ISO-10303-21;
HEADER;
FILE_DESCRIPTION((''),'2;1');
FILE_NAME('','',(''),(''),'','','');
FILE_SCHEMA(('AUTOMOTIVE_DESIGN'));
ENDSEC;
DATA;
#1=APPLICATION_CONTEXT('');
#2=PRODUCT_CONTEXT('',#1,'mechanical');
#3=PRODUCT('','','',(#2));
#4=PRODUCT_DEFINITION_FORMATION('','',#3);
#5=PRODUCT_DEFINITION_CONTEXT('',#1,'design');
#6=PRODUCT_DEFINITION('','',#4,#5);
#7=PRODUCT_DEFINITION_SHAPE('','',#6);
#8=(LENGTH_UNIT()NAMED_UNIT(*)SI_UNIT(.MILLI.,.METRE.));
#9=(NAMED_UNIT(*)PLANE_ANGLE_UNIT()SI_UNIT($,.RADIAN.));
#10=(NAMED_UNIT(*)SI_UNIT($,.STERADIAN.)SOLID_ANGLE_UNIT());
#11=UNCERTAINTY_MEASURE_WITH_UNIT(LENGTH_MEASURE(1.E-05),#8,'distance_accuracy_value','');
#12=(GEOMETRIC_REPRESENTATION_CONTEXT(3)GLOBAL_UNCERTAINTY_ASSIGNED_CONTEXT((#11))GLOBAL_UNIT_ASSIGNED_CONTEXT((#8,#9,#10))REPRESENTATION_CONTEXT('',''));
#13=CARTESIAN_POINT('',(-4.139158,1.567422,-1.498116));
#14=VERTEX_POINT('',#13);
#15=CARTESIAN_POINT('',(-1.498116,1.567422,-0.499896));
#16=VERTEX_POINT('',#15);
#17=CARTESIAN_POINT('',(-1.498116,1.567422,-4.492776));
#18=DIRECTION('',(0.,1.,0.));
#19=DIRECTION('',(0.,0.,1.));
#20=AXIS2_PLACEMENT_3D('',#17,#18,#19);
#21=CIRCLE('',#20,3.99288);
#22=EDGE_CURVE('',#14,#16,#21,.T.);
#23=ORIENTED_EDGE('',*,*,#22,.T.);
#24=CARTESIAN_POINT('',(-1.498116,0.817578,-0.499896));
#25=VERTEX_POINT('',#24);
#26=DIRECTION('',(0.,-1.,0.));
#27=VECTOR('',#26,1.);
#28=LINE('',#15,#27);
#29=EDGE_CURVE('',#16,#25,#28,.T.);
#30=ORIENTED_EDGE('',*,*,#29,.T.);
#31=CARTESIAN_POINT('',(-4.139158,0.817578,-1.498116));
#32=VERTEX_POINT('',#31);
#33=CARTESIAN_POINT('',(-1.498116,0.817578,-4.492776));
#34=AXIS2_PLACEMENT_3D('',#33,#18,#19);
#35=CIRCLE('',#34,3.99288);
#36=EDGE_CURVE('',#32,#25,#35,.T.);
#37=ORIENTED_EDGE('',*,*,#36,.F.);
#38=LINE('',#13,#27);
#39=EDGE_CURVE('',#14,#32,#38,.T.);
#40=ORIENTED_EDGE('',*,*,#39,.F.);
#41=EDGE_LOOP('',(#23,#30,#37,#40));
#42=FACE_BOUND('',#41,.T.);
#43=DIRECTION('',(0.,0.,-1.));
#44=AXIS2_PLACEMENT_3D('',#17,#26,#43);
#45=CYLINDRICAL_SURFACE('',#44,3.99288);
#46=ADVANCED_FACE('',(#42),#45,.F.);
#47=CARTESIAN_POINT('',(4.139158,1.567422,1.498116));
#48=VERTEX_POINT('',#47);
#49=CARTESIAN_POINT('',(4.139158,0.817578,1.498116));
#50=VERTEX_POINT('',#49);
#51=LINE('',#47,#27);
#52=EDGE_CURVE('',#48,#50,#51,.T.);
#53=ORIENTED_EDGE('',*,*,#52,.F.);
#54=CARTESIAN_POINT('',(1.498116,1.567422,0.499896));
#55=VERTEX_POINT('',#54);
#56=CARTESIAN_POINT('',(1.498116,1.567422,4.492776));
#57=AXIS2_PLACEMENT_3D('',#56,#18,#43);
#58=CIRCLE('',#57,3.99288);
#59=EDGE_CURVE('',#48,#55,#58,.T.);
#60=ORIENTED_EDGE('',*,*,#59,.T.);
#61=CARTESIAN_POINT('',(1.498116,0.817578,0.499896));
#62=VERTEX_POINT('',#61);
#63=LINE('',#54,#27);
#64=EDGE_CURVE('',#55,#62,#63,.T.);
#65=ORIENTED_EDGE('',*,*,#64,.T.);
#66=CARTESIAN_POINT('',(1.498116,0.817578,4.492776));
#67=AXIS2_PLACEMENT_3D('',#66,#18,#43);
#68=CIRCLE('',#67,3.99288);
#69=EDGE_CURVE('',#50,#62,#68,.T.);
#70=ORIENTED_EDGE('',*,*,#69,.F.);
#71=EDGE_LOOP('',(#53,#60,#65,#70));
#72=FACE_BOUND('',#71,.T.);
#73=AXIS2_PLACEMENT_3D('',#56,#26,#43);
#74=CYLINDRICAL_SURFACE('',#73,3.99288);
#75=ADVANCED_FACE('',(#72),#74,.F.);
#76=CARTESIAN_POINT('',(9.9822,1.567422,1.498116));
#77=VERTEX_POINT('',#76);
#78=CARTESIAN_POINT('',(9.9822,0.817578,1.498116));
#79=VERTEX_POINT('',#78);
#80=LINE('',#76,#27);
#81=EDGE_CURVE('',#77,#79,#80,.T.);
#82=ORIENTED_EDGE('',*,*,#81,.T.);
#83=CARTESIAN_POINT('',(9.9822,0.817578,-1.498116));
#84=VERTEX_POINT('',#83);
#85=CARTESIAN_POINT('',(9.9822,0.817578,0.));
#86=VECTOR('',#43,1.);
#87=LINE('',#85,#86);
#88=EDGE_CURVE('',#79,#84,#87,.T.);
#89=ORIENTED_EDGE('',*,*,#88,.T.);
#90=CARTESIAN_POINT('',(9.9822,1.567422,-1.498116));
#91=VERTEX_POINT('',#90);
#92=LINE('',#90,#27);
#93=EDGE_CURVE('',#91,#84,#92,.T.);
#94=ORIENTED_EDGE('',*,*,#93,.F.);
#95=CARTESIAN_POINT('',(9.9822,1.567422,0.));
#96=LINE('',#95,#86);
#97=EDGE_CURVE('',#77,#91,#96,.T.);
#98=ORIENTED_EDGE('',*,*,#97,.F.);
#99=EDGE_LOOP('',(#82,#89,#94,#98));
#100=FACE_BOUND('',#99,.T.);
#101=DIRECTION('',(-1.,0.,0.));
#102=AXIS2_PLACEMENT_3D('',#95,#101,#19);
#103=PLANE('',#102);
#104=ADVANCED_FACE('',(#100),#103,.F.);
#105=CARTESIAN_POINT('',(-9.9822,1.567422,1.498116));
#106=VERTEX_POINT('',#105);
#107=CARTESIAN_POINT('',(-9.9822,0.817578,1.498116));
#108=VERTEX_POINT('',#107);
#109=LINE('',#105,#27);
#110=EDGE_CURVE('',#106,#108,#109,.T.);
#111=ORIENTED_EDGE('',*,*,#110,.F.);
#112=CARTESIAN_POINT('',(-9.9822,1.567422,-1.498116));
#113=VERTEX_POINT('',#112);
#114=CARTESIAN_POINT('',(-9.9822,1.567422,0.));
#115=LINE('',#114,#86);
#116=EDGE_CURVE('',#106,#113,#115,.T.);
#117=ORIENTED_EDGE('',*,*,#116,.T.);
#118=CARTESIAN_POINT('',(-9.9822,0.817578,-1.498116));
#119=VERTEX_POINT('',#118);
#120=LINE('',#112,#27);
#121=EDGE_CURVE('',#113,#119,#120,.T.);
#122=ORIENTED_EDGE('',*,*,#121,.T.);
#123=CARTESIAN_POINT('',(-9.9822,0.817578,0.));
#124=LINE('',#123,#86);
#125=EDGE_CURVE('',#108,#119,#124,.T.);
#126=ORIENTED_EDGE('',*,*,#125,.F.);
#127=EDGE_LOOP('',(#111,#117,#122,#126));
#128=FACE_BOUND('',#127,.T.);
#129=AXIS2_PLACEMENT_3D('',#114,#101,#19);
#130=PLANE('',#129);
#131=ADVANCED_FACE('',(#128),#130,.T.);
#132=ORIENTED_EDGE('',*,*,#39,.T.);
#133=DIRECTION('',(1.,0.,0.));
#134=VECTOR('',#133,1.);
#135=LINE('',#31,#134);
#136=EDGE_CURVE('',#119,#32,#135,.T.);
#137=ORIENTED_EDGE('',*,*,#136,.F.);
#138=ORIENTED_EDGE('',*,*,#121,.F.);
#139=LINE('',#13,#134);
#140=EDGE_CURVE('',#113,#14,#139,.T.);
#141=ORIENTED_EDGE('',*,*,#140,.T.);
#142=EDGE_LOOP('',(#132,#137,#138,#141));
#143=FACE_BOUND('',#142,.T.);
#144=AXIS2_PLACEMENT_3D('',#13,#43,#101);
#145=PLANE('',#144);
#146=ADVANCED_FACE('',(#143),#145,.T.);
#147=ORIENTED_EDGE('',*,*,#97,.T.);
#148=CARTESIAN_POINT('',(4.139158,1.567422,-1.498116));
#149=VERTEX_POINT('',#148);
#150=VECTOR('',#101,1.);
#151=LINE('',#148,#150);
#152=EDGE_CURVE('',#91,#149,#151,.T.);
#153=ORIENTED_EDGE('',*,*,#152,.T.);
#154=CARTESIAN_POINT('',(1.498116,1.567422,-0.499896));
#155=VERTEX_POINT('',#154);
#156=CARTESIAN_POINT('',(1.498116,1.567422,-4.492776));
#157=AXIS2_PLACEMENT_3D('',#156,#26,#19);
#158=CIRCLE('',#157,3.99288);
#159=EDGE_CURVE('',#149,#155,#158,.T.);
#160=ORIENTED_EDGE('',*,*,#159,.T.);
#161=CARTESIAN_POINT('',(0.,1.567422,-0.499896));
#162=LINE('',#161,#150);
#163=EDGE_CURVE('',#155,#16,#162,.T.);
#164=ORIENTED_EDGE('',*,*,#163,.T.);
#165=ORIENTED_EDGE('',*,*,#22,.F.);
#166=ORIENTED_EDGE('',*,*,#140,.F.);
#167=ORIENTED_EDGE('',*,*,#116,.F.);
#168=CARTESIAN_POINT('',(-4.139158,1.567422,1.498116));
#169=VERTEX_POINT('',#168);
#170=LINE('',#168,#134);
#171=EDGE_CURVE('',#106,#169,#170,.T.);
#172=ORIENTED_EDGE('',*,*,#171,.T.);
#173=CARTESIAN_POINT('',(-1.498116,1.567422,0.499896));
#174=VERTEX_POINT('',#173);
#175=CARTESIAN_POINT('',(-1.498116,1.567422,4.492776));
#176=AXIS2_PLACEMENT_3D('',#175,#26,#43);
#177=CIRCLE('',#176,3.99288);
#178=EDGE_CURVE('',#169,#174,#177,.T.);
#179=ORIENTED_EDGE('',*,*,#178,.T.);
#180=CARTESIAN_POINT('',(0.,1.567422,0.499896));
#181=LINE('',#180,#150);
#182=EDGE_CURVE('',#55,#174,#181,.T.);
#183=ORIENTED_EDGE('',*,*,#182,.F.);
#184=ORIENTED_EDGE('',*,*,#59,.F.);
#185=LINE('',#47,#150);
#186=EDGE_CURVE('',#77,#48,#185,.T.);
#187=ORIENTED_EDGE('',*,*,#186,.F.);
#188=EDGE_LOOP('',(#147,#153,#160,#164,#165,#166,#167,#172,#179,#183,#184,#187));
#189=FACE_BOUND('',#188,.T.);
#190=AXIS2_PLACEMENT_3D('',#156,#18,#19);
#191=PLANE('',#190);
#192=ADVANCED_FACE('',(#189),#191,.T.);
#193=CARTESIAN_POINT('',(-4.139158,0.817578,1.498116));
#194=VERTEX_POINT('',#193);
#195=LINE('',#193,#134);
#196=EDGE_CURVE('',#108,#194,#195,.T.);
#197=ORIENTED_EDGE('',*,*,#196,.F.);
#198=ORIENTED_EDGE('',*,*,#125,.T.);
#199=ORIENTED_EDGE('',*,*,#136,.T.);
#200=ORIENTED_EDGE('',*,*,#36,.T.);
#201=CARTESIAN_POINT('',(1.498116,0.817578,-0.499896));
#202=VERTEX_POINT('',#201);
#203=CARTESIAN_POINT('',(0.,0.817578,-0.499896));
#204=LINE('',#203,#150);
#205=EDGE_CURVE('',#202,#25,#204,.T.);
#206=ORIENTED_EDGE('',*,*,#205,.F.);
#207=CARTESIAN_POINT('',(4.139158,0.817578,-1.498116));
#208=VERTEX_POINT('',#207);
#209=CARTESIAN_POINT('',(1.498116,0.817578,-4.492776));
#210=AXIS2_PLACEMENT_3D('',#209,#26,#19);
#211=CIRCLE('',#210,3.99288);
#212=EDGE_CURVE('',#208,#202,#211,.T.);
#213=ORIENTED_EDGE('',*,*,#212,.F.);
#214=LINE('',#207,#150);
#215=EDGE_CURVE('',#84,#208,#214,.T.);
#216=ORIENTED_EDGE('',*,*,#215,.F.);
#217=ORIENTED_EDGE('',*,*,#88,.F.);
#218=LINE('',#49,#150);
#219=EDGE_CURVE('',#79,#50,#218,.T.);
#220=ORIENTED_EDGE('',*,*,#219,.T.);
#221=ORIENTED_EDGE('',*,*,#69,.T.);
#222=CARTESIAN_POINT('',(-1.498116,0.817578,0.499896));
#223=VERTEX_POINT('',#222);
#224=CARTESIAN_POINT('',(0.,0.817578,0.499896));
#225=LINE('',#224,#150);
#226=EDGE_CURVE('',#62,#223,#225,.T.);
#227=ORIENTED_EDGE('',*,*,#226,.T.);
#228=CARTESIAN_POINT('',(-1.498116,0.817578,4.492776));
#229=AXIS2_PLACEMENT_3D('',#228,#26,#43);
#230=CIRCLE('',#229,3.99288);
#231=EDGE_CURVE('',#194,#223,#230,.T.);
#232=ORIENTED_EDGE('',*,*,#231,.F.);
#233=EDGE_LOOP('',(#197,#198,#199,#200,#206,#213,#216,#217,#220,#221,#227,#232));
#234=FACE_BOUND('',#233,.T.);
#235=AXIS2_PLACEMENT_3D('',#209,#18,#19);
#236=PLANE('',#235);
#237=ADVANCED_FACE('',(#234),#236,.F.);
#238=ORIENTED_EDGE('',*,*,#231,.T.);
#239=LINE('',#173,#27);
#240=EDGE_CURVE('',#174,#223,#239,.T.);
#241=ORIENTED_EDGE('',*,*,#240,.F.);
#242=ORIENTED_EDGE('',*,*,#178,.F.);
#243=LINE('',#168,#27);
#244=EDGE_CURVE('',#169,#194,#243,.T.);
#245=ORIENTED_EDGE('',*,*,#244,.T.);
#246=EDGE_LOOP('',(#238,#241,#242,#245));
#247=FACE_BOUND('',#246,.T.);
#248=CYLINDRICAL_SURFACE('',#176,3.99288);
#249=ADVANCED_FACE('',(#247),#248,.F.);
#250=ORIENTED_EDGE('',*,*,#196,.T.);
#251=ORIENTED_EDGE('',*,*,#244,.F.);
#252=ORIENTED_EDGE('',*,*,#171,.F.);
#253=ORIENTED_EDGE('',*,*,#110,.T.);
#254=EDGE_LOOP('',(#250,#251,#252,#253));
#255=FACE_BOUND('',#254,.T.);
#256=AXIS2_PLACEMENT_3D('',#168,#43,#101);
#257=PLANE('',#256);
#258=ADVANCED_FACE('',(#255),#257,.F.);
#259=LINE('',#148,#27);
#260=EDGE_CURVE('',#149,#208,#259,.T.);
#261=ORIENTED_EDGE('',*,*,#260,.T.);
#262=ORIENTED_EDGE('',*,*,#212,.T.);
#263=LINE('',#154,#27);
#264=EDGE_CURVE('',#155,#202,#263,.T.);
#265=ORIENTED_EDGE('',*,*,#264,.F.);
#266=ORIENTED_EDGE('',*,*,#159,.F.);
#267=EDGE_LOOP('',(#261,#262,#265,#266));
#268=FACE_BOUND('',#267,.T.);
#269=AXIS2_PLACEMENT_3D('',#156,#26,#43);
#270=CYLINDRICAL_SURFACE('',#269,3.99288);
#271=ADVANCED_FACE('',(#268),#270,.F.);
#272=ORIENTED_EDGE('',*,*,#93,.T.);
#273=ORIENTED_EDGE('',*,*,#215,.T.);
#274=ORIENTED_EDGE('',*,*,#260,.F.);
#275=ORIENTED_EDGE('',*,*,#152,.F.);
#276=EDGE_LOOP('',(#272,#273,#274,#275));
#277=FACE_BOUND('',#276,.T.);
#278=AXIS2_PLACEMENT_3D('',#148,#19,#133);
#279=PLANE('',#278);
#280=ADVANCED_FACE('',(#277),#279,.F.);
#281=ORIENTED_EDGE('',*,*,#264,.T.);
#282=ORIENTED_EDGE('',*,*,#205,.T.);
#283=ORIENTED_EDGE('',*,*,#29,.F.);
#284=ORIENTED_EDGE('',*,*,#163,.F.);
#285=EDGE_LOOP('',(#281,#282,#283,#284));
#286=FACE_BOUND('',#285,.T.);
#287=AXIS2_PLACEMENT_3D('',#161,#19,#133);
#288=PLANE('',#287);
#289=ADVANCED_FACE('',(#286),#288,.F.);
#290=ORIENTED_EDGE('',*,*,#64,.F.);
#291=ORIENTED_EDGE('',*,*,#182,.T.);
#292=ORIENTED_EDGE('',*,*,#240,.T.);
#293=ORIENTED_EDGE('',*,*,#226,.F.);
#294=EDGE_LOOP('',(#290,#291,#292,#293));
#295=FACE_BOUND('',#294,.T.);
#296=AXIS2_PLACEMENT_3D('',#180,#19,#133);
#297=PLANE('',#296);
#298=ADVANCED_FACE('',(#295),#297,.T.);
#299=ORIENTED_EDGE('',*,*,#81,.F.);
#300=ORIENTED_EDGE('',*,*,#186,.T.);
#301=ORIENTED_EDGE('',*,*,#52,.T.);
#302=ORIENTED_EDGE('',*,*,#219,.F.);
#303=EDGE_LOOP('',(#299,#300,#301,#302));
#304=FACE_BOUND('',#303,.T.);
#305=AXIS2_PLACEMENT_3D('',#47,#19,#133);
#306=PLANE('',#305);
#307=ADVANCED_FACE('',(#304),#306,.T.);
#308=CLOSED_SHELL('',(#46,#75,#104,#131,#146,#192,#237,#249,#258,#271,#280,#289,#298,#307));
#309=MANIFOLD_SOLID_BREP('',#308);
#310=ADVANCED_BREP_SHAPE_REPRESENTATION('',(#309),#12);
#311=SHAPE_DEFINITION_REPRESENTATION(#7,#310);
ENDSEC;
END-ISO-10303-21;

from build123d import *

# Parameters (mm, degrees)
BOSS_EXTRUDE1_DEPTH                      = 2.385
MIRROR1_AT_THE_SECOND_PLANE_COPY_1_DEPTH = 2.385
SCALE1_SCALE                             = 0.3144


with BuildPart() as part:
    # Sketch1 → Boss-Extrude1 (new body)
    with BuildSketch(Plane(origin=(0, 0, 0), x_dir=(1, 0, 0), z_dir=(0, 1, 0))):
        with BuildLine():
            Line((0, 1.59), (4.765, 1.59))
            ThreePointArc((4.765, 1.59), (9.255128061, 2.410237797), (13.165260413, 4.765))
            Line((13.165260413, 4.765), (31.75, 4.765))
            Line((31.75, 4.765), (31.75, 0))
            Line((31.75, 0), (0, 0))
            Line((0, 0), (0, 1.59))
        make_face()
    boss_extrude1 = extrude(amount=BOSS_EXTRUDE1_DEPTH)



with BuildPart() as mirror1_1:
    # Mirror1: Boss-Extrude1 across plane
    add(boss_extrude1.mirror(Plane(origin=(0, 0, 0), x_dir=(0, 0, 1), z_dir=(1, 0, 0))))


with BuildPart() as part_1:
    add(part.part)

    add(mirror1_1.part)  # Mirror1 at the second plane merges Mirror1_1
    # Mirror1 at the second plane: Boss-Extrude1 across plane
    add(boss_extrude1.mirror(Plane.XY))

    # Mirror1 at the second plane copy 1 sketc → Mirror1 at the second plane copy 1 (add)
    with BuildSketch(Plane(origin=(0, 0, 0), x_dir=(-1, 0, 0), z_dir=(0, 1, 0))):
        with BuildLine():
            Line((0, 1.59), (4.765, 1.59))
            ThreePointArc((4.765, 1.59), (9.255128061, 2.410237797), (13.165260413, 4.765))
            Line((13.165260413, 4.765), (31.75, 4.765))
            Line((31.75, 4.765), (31.75, 0))
            Line((31.75, 0), (0, 0))
            Line((0, 0), (0, 1.59))
        make_face()
    extrude(amount=MIRROR1_AT_THE_SECOND_PLANE_COPY_1_DEPTH)


with BuildPart() as part_2:
    # Scale1: scaled about (0, 1.1925, 0)
    add(part_1.part.scale(SCALE1_SCALE).moved(Location((0, 0.817578, 0))))


solid = part_2.part
